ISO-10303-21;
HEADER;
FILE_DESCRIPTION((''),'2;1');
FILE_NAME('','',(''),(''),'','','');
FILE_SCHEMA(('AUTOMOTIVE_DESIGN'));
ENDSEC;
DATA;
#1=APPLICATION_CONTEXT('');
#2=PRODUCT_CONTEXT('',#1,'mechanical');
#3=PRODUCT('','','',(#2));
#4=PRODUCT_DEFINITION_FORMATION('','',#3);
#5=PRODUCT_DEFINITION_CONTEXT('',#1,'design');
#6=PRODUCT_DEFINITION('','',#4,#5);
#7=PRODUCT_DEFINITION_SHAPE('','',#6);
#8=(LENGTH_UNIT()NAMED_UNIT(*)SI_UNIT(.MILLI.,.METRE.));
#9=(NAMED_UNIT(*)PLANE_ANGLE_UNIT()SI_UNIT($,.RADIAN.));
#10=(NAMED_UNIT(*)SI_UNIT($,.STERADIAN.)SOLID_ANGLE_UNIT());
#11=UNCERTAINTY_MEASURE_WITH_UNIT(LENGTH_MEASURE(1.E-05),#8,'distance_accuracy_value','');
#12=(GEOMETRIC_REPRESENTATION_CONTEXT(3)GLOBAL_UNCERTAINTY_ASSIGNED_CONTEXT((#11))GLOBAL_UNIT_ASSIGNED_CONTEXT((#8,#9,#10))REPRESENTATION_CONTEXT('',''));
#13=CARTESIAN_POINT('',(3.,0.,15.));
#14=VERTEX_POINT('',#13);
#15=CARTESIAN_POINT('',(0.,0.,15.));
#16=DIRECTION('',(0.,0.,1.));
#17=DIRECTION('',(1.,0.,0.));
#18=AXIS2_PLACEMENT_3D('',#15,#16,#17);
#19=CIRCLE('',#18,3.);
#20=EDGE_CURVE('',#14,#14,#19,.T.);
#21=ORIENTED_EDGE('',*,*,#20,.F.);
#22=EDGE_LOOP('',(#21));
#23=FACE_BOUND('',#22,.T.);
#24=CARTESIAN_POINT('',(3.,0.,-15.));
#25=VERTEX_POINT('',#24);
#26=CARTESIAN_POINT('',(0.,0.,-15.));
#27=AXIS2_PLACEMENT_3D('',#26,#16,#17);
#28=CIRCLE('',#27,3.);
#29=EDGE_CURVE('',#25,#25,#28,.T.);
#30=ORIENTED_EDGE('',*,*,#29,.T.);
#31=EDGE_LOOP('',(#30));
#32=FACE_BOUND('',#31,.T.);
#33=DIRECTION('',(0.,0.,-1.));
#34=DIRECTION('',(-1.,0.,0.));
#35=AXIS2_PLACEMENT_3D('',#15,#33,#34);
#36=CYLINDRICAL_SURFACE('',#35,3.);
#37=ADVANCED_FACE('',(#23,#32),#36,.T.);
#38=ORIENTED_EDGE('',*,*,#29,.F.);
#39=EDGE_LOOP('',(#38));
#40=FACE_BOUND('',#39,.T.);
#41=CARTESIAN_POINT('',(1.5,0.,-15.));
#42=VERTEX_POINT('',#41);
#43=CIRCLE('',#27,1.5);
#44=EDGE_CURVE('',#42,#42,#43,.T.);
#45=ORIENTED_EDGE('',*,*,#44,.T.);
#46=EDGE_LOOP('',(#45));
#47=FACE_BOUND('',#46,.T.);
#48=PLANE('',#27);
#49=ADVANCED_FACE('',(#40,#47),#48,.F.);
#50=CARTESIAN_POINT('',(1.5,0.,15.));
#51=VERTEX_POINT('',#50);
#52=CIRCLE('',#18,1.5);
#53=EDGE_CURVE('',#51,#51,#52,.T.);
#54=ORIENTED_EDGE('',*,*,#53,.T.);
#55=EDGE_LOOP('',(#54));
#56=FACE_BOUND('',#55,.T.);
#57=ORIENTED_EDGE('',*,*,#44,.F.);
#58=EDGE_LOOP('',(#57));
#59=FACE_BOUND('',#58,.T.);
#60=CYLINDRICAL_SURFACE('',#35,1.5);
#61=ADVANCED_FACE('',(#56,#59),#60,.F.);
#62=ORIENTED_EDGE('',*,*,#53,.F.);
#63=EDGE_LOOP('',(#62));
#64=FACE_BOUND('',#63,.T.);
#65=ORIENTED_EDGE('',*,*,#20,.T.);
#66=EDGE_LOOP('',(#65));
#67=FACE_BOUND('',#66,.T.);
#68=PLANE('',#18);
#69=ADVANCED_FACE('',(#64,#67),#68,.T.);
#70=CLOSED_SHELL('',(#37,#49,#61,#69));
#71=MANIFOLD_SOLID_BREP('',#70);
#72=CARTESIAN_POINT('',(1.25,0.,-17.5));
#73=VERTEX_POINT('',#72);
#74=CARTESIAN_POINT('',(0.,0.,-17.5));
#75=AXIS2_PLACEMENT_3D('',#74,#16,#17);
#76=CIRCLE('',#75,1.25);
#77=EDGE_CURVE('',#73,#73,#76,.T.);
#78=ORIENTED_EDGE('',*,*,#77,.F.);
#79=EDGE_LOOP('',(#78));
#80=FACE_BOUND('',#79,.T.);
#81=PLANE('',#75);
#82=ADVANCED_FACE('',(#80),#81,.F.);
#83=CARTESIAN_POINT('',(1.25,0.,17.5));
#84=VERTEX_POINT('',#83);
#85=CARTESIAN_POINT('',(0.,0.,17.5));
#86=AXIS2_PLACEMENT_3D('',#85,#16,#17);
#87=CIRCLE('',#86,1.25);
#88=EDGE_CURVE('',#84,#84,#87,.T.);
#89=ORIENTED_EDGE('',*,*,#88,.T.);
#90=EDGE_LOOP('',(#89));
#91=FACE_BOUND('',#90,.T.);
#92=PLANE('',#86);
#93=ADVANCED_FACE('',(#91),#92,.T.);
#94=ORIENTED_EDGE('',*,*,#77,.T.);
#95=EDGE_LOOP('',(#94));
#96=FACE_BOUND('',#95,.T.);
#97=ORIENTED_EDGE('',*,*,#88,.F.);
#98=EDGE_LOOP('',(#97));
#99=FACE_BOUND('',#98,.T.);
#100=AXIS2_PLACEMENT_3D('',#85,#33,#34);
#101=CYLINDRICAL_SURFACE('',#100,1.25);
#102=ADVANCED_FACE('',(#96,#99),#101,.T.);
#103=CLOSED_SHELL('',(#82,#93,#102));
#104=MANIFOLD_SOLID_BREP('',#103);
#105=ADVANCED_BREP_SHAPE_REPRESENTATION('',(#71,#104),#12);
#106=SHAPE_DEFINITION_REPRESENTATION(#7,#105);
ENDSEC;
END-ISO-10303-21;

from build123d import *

# Parameters (mm, degrees)
SKETCH1_R         = 1.25
CENTRALAXIS_DEPTH = 17.5
SKETCH2_R         = 3
SKETCH2_R_2       = 1.5
ROLLINGAXIS_DEPTH = 15


with BuildPart() as part:
    # Sketch1 → CentralAxis (new body, symmetric)
    with BuildSketch(Plane.XY):
        Circle(SKETCH1_R)
    extrude(amount=CENTRALAXIS_DEPTH, both=True)


with BuildPart() as body_2:
    # Sketch2 → RollingAxis (new body, symmetric)
    with BuildSketch(Plane.XY):
        Circle(SKETCH2_R)
        Circle(SKETCH2_R_2, mode=Mode.SUBTRACT)
    extrude(amount=ROLLINGAXIS_DEPTH, both=True)


solid = Compound([part.part, body_2.part])
